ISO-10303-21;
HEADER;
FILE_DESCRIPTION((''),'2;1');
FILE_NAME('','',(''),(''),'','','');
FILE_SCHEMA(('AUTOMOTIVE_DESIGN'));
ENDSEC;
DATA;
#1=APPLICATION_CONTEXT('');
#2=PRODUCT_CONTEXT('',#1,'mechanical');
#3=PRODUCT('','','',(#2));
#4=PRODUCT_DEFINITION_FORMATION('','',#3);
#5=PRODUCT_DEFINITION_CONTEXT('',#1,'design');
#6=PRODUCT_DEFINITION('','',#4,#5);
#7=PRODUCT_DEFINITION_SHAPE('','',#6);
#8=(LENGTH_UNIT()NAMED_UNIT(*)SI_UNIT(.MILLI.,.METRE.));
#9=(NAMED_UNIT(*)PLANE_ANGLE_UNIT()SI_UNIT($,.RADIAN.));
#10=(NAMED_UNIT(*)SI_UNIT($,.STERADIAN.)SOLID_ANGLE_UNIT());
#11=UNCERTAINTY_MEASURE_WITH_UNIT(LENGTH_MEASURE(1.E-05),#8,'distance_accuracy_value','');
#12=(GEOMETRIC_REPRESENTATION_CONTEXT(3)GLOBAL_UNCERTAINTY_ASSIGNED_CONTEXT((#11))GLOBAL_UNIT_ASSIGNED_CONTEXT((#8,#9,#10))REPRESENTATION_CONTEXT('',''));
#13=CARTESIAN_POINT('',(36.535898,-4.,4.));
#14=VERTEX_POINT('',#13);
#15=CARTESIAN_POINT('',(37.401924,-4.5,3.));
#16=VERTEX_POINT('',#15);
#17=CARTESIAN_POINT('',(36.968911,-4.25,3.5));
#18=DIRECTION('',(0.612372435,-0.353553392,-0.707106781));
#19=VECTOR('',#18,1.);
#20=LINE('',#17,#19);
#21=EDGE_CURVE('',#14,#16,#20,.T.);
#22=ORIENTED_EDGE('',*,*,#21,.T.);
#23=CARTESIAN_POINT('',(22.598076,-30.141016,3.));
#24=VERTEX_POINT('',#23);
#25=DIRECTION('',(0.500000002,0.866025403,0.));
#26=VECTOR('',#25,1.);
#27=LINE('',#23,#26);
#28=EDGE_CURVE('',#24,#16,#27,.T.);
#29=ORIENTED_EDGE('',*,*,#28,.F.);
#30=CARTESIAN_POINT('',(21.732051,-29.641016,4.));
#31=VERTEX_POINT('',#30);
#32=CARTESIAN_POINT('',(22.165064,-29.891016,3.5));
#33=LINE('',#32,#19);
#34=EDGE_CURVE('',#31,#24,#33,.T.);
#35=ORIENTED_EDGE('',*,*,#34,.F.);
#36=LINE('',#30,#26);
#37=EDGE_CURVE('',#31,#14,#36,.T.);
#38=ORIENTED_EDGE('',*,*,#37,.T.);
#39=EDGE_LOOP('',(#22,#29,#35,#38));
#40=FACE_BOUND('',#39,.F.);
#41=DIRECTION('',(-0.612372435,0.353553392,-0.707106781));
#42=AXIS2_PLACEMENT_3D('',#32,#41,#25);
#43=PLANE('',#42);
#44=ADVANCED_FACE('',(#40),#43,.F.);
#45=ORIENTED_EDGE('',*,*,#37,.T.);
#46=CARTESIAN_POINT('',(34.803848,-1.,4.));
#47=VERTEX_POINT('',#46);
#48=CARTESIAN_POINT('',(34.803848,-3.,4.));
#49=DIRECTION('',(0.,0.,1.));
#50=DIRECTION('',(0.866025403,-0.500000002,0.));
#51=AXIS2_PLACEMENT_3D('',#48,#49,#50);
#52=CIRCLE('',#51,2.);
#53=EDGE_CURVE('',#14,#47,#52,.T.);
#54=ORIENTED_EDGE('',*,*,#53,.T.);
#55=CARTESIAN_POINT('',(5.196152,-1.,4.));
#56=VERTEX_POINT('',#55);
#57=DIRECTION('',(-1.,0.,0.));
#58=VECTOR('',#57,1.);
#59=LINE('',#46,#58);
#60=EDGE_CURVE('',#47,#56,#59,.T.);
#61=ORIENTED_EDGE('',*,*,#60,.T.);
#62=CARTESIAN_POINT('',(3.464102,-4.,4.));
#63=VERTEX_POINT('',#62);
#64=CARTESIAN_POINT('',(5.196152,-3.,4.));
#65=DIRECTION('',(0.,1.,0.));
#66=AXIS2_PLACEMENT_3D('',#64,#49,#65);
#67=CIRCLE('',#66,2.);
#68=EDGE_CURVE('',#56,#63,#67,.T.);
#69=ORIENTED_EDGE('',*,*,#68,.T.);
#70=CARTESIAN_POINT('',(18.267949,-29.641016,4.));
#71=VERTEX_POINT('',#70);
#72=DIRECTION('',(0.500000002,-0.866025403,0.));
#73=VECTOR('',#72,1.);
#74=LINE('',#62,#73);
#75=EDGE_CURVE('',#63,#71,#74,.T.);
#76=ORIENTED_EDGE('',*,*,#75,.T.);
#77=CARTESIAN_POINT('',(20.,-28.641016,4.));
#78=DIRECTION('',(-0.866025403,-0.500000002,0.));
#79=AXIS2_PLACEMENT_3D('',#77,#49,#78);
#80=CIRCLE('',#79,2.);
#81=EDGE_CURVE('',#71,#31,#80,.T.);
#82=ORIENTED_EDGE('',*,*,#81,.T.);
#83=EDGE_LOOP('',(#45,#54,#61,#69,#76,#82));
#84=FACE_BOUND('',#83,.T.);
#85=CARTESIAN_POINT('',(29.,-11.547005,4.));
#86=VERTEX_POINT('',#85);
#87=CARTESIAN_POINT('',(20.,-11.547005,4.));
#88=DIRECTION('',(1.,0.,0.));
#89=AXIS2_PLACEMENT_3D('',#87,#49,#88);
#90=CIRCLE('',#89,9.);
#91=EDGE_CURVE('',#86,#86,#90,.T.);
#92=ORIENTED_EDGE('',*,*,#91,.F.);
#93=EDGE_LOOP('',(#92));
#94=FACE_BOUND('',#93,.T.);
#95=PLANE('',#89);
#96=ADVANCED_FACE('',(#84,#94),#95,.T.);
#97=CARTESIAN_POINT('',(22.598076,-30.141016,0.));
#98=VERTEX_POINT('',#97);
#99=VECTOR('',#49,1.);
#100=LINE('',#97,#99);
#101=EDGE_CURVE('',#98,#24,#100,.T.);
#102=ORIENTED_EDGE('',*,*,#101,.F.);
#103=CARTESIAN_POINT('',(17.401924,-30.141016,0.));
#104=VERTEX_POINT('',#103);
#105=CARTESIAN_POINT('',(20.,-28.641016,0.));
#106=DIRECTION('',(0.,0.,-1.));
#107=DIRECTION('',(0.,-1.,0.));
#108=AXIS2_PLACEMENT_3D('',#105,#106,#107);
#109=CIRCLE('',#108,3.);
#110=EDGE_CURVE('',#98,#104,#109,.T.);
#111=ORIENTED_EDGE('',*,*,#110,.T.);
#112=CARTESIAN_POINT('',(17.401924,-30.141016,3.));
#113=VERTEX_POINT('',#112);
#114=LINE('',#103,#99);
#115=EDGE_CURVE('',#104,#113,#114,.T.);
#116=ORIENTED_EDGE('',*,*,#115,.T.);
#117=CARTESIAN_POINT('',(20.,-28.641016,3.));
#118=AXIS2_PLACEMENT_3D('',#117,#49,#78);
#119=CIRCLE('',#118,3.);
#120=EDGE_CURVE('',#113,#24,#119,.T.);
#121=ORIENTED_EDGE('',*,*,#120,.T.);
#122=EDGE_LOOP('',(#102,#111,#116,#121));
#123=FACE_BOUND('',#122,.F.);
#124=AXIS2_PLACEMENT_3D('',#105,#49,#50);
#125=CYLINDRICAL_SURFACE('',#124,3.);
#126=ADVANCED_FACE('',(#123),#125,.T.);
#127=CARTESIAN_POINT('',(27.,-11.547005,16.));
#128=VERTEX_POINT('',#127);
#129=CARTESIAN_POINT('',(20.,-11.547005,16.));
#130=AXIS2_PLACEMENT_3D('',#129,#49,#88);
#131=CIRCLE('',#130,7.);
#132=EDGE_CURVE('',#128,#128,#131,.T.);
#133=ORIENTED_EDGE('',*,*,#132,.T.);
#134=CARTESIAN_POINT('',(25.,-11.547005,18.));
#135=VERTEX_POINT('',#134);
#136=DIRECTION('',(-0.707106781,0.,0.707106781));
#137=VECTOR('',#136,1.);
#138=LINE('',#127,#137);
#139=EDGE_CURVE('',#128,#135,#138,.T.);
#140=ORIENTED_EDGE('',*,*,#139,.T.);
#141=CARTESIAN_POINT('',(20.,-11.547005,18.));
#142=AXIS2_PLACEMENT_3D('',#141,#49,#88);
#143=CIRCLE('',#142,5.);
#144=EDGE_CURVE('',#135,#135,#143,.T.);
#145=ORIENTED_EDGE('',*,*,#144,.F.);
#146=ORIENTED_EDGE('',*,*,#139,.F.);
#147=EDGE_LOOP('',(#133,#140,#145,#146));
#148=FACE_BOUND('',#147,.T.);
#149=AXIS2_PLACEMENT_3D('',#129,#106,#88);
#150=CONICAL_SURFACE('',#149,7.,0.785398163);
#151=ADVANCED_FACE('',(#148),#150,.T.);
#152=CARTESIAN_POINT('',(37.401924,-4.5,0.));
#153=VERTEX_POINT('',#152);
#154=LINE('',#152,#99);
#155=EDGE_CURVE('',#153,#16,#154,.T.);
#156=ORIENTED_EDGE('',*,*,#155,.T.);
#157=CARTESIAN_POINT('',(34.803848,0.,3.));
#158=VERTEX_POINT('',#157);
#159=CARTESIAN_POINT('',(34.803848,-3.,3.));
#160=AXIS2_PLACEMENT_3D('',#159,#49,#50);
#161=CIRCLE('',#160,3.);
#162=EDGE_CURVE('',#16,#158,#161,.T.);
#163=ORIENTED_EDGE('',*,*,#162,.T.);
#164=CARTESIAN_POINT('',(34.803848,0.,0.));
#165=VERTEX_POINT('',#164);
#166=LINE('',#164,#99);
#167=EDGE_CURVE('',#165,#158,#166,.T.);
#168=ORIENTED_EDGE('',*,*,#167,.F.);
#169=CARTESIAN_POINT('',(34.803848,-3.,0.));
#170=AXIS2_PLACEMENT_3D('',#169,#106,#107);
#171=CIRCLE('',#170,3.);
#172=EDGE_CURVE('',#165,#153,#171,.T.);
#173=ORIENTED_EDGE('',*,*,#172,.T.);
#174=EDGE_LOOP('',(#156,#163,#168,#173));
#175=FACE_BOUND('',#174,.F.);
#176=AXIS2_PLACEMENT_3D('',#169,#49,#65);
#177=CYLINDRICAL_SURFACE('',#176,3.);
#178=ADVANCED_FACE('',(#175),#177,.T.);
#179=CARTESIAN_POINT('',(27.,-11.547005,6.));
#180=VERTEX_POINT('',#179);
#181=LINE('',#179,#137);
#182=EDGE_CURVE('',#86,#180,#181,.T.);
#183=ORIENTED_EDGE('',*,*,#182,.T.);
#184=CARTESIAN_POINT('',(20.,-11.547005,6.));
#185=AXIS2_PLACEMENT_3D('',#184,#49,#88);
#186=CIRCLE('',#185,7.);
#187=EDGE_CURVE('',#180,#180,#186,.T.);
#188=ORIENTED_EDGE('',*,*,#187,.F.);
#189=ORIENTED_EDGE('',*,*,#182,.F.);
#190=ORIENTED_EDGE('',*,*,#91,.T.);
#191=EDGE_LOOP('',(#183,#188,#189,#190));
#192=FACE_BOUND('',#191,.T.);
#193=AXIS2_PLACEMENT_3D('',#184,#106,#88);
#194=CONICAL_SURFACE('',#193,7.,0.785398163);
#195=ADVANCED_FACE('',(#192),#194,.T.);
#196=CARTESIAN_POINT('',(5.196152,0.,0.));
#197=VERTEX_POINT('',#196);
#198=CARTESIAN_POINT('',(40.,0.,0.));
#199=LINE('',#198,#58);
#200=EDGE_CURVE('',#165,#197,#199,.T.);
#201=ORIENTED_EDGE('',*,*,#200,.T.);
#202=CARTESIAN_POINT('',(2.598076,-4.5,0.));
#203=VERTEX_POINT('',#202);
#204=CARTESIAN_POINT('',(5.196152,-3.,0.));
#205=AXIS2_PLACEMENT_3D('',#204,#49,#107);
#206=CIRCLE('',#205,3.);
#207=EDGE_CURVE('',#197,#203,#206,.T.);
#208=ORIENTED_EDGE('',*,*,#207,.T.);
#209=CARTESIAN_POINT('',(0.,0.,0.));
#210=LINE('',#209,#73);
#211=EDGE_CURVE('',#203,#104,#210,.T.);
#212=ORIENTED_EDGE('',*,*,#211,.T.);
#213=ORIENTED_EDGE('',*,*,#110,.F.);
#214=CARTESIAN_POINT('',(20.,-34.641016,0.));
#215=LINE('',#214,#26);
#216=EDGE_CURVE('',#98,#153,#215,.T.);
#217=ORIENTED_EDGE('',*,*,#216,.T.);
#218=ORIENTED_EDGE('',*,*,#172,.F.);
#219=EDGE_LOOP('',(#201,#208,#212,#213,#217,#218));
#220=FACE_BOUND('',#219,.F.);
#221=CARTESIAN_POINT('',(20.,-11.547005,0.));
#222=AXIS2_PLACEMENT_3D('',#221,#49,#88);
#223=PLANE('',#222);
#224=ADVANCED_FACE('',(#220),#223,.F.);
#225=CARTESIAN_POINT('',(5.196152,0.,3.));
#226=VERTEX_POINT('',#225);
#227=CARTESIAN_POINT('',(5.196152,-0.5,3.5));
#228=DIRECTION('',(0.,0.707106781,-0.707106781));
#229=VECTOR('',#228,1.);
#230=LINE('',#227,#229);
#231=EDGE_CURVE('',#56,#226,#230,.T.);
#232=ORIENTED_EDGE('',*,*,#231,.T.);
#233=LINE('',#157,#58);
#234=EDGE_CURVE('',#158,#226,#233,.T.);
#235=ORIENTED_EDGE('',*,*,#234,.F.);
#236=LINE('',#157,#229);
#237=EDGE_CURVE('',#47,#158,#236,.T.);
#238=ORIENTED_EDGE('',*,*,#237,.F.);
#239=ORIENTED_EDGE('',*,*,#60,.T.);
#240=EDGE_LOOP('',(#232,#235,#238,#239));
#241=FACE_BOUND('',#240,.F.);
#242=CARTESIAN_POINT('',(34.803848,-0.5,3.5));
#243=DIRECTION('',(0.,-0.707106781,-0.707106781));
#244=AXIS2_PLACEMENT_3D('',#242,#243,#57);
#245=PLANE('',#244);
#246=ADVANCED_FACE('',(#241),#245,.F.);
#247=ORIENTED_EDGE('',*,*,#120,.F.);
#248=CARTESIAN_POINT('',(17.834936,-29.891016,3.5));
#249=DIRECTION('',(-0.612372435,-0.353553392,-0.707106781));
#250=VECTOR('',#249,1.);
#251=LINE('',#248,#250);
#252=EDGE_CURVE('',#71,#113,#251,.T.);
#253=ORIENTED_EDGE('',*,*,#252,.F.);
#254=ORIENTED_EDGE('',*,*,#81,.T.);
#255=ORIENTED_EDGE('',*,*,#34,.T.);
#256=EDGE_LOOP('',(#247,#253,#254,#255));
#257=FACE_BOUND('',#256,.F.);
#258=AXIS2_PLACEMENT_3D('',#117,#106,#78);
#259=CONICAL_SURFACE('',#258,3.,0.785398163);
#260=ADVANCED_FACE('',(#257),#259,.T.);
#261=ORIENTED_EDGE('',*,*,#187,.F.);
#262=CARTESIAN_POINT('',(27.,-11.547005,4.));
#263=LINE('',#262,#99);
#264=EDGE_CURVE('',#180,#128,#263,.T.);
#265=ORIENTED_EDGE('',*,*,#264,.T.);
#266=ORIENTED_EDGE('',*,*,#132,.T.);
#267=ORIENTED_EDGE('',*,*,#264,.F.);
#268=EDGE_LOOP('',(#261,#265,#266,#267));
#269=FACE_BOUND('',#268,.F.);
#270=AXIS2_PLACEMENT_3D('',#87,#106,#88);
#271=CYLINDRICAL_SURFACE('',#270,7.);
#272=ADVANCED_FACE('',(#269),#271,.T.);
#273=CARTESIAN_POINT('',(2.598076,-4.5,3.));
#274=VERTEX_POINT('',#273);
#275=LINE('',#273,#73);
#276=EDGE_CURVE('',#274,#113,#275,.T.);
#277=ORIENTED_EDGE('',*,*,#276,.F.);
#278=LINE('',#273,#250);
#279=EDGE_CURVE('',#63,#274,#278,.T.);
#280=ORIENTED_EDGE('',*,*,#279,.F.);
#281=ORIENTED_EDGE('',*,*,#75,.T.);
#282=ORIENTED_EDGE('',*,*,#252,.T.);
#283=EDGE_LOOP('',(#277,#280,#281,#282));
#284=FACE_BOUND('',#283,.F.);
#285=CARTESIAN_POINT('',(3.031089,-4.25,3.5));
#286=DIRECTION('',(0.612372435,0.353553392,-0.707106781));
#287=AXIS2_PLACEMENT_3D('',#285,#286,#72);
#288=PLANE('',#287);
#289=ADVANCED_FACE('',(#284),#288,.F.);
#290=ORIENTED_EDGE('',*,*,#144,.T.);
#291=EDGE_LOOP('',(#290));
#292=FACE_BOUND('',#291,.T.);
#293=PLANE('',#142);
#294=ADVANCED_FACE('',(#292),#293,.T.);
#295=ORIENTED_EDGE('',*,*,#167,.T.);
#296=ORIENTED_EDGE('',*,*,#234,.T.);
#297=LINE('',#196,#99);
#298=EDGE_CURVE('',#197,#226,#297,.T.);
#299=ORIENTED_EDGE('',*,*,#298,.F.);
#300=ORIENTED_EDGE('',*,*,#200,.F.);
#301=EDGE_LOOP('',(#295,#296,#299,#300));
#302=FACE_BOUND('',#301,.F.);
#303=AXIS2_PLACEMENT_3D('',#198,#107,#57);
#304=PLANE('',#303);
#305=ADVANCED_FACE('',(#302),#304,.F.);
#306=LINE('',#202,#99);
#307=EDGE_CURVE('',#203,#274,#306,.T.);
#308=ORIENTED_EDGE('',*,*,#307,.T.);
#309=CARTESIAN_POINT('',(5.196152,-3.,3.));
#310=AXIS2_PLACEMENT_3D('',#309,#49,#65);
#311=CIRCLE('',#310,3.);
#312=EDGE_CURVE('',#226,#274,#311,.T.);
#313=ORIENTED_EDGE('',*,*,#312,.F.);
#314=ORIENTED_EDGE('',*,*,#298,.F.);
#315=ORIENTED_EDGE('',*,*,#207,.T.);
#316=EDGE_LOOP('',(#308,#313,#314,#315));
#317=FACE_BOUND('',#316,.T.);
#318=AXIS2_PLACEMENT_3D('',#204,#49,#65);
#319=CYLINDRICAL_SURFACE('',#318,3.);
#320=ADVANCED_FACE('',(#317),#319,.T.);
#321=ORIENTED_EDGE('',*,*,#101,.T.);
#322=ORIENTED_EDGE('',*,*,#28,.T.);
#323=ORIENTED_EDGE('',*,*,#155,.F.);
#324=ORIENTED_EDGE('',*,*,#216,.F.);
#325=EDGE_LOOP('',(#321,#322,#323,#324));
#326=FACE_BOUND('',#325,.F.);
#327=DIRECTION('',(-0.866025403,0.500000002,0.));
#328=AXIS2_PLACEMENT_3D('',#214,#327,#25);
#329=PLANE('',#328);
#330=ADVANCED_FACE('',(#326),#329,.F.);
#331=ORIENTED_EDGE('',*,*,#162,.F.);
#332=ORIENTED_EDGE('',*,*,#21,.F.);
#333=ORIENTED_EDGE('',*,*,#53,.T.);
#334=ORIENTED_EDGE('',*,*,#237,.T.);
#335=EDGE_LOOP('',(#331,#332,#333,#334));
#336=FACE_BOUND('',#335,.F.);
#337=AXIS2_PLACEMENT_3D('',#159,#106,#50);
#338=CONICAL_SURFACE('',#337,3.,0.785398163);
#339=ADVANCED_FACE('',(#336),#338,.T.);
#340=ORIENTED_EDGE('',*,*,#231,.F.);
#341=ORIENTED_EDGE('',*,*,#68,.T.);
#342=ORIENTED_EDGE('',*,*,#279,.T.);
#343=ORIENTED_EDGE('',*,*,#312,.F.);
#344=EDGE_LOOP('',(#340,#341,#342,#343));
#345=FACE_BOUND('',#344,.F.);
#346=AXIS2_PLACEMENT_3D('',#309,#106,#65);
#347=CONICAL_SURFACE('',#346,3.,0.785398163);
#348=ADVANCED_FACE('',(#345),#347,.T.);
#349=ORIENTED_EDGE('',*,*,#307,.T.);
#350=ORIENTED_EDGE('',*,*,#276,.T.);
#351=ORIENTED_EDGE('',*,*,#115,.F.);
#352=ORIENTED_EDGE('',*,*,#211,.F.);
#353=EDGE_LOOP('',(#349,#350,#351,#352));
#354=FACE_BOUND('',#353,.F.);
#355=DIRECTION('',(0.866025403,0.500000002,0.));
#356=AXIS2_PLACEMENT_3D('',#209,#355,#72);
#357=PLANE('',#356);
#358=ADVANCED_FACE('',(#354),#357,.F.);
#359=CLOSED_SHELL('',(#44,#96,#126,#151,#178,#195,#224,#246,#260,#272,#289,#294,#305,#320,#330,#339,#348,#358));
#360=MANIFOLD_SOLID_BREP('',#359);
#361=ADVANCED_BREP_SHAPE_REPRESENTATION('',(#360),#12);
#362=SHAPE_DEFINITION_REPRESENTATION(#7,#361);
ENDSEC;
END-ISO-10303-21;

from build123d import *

# Parameters (mm, degrees)
F1_DEPTH = 4
F2_R     = 7
F3_DEPTH = 14
F4_R     = 3
F5_SIZE  = 1
F6_SIZE  = 2


with BuildPart() as f1:
    # F0 (on Top) → F1 (new body)
    with BuildSketch(Plane.XY):
        Polygon((40, 0), (0, 0), (20, -34.641016), align=None)
    extrude(amount=F1_DEPTH)

    # F2 (on face) → F3 (join)
    with BuildSketch(Plane.XY.offset(4)):
        with Locations((20, -11.547005)):
            Circle(F2_R)
    extrude(amount=F3_DEPTH)

    # F4
    f4_edges = [f1.edges().sort_by_distance(p)[0] for p in [
        (20, -34.641016, 2),
        (40, 0, 2),
        (0, 0, 2),
    ]]
    fillet(f4_edges, radius=F4_R)

    # F5
    f5_edges = [f1.edges().sort_by_distance(p)[0] for p in [
        (30, -17.320508, 4),
    ]]
    chamfer(f5_edges, length=F5_SIZE)

    # F6
    f6_edges = [f1.edges().sort_by_distance(p)[0] for p in [
        (13, -11.547005, 18),
        (13, -11.547005, 4),
    ]]
    chamfer(f6_edges, length=F6_SIZE)


solid = f1.part
